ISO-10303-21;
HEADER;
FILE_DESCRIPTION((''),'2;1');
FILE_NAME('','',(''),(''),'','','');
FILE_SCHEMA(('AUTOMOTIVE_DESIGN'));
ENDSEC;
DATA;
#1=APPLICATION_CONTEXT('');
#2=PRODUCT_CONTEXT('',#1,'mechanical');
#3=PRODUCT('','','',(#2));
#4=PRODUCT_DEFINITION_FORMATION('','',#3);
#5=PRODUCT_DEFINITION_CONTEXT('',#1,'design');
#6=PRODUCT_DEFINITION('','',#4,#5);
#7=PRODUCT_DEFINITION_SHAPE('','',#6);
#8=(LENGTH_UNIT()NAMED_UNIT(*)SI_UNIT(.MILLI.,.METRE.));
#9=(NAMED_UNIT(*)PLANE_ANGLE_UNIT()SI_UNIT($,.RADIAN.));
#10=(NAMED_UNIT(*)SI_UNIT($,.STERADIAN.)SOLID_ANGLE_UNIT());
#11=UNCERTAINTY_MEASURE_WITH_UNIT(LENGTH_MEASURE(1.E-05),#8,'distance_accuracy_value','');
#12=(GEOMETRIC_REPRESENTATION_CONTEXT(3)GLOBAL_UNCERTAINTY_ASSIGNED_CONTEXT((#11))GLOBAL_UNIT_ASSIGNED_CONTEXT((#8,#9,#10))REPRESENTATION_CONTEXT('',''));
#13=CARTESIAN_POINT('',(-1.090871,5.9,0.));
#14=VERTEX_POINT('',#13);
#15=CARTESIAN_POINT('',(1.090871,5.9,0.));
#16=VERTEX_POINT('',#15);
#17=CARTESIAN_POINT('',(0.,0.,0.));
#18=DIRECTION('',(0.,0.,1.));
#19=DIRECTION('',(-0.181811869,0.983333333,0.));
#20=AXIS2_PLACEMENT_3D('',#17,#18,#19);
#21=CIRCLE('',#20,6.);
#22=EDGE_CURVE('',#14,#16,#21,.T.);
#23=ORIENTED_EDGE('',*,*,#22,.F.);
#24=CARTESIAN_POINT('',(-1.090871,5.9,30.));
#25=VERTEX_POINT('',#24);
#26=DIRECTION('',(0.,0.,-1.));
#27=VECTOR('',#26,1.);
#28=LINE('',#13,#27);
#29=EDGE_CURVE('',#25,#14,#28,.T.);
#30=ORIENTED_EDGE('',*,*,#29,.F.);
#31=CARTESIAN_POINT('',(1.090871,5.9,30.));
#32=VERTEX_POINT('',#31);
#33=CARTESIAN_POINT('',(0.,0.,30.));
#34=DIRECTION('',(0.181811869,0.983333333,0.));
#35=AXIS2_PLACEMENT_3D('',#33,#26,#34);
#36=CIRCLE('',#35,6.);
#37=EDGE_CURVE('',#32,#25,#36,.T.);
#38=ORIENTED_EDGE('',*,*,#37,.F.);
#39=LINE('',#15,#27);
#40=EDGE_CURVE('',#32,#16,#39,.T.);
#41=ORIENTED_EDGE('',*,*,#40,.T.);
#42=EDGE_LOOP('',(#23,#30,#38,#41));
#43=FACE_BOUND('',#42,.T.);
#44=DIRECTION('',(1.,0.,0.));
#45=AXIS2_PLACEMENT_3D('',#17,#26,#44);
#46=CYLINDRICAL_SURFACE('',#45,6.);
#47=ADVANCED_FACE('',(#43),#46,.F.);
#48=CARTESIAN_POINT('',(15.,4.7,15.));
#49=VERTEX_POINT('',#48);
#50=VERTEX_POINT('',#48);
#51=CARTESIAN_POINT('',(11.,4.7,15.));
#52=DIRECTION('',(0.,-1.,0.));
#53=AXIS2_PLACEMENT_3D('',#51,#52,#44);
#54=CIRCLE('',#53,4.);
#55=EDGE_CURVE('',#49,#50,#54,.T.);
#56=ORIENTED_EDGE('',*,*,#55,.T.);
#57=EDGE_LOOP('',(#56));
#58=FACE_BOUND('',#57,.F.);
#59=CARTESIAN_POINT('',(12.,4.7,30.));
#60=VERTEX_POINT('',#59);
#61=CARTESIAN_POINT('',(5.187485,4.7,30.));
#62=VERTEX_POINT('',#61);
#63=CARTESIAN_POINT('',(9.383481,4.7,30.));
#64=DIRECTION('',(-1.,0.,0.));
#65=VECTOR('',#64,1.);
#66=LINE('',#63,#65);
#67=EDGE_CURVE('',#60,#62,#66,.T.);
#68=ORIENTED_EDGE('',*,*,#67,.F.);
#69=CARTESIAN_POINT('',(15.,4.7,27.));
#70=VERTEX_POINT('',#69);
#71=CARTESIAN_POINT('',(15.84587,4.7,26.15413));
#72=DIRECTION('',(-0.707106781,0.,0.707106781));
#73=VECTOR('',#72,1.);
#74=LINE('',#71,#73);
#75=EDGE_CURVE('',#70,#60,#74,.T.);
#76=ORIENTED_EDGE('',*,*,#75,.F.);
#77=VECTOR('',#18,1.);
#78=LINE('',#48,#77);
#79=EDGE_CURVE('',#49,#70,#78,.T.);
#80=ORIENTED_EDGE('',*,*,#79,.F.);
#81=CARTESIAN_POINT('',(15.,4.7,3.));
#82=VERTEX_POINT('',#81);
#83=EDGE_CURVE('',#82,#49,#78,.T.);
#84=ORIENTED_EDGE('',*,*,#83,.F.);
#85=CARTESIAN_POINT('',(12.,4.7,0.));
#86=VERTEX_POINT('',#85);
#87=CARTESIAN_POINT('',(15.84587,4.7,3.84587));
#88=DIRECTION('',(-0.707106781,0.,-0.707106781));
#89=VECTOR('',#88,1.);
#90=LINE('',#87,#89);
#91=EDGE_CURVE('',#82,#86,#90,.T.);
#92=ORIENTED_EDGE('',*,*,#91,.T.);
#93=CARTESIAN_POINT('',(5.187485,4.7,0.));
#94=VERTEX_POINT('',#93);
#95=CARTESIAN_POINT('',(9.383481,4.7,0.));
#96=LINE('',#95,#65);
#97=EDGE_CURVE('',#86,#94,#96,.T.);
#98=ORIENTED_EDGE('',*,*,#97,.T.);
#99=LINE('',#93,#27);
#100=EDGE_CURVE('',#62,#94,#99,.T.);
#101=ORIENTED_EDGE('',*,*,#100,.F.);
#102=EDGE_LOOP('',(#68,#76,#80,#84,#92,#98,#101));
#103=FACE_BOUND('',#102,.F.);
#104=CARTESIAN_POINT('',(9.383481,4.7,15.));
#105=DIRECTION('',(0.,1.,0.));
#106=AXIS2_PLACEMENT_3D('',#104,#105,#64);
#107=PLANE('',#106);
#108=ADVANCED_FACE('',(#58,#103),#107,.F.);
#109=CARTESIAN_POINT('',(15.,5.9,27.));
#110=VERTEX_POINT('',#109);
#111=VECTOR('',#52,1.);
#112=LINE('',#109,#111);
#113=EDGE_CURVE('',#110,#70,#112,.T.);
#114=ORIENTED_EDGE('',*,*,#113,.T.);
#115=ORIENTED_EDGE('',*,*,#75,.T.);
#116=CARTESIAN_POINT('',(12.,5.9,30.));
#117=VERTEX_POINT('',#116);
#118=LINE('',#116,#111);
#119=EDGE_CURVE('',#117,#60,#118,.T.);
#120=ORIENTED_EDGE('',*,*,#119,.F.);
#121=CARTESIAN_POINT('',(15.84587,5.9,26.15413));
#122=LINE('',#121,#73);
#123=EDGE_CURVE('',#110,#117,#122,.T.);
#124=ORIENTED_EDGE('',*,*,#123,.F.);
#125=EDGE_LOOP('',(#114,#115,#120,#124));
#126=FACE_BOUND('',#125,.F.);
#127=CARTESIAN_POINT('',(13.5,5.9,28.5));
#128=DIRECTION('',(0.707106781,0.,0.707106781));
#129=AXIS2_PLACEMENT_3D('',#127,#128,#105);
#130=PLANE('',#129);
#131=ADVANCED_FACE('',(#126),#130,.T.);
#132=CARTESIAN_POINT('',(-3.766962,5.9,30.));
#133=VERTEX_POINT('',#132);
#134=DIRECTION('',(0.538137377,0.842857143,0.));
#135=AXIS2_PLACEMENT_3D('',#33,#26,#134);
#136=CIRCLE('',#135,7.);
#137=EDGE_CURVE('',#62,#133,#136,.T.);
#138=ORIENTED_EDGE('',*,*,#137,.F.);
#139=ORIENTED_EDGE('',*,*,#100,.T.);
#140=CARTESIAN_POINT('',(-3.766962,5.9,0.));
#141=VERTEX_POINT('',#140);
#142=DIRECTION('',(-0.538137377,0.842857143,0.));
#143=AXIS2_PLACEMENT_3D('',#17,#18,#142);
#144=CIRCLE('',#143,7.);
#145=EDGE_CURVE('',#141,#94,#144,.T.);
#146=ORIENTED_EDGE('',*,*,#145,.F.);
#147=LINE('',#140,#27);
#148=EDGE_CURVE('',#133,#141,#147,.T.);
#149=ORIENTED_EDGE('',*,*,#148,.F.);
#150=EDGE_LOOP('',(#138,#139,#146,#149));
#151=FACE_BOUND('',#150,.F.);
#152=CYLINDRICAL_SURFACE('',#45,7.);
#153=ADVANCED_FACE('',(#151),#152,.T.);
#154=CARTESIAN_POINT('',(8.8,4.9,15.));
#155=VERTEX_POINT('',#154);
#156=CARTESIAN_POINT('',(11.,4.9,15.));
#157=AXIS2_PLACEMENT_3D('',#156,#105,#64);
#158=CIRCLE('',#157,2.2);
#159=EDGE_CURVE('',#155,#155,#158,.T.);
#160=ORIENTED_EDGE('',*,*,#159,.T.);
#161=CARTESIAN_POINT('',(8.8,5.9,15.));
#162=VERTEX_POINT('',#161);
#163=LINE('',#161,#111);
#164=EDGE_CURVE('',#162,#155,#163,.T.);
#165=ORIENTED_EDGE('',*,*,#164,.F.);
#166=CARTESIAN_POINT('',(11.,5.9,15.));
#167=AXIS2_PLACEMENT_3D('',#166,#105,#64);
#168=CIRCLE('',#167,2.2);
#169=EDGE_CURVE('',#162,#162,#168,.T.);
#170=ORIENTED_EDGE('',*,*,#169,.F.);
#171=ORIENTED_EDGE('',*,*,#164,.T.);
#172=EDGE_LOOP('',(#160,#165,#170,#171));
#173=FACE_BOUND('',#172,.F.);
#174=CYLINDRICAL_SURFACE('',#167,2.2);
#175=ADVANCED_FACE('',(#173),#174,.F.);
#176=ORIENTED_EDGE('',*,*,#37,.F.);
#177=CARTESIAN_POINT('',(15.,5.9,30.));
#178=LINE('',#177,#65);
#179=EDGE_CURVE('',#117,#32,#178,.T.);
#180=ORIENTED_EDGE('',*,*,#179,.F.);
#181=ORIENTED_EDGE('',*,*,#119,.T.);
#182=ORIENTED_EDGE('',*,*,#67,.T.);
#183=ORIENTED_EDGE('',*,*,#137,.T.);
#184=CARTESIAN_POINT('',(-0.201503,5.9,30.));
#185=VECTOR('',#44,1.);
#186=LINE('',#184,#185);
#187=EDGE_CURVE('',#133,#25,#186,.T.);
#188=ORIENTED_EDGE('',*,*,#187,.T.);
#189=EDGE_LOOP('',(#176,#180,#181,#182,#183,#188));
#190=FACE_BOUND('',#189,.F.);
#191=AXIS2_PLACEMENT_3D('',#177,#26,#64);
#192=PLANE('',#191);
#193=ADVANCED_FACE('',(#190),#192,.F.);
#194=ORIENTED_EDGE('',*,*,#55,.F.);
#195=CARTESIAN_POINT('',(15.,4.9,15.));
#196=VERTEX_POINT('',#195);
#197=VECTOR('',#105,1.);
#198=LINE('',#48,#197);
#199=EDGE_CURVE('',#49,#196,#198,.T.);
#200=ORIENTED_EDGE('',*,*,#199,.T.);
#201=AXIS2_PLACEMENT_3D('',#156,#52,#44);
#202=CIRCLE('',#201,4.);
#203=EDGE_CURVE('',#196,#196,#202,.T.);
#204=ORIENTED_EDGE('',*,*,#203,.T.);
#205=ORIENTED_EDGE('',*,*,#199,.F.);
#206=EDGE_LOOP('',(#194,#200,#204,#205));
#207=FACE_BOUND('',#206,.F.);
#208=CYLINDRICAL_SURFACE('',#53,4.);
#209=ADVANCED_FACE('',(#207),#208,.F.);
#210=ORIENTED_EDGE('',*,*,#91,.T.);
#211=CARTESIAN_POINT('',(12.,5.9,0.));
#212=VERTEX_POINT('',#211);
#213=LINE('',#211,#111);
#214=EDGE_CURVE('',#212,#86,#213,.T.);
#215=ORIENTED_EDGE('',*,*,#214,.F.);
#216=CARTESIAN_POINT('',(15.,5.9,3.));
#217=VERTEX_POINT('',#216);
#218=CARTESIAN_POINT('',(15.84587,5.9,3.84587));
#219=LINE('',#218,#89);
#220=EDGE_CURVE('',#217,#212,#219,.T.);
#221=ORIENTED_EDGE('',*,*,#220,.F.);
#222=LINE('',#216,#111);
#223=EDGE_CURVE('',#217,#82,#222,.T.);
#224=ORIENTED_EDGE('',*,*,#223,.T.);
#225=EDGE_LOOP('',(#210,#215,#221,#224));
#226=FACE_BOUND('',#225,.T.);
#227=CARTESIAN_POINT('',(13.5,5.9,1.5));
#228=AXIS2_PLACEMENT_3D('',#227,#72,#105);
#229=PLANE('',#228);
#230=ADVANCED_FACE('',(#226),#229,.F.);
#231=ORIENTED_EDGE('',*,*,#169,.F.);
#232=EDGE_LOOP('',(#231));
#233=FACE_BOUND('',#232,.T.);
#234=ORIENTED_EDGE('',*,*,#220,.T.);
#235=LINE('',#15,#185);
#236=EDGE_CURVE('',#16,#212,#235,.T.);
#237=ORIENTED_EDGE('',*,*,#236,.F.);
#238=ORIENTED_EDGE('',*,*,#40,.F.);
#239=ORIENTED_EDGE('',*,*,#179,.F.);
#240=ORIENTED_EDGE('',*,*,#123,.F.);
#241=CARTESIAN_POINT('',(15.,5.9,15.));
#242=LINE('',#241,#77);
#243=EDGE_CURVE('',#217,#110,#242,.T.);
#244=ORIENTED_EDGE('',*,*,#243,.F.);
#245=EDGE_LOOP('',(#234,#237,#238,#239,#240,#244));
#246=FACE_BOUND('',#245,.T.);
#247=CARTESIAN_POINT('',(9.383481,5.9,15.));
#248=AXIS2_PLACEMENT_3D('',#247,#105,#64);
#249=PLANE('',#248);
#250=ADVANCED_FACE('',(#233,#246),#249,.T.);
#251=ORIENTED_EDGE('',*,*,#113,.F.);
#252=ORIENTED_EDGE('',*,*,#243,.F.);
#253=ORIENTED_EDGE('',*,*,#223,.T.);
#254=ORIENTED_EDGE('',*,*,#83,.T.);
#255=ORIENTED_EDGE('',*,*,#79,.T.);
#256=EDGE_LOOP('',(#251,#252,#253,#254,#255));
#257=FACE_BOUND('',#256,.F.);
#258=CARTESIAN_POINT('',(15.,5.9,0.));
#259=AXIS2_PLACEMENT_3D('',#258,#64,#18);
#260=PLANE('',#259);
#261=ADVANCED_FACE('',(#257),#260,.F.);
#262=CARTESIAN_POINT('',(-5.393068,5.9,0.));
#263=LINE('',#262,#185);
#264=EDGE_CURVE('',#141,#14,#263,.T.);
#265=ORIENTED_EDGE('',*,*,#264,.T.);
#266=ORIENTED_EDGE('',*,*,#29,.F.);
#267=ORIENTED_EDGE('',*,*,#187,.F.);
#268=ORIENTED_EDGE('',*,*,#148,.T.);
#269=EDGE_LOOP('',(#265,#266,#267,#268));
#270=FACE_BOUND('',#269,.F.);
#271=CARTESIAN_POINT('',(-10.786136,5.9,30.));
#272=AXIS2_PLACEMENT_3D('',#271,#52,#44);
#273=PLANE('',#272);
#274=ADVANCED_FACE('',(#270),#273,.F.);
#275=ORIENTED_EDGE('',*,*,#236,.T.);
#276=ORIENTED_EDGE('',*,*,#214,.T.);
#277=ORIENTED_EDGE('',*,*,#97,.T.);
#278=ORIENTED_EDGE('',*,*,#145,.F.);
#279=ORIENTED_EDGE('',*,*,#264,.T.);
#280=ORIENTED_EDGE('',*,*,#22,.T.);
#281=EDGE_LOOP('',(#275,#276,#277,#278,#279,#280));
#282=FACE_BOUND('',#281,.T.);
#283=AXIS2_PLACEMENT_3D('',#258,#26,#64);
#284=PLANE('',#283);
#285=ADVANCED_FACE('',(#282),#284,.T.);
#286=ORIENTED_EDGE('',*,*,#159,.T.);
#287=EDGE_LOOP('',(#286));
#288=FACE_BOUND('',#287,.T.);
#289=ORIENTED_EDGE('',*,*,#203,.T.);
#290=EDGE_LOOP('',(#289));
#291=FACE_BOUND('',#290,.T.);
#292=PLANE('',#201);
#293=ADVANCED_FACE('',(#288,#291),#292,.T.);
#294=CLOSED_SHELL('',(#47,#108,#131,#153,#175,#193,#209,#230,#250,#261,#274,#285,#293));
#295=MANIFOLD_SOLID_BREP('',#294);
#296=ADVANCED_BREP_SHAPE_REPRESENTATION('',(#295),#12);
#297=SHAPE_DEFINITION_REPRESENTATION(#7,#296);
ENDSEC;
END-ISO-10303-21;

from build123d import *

# Parameters (mm, degrees)
SKETCH_R        = 7
SKETCH_R_2      = 6
PAD_DEPTH       = 30
SKETCH001_W     = 21.169265
SKETCH001_H     = 5.002638
POCKET_DEPTH    = 30.001
SKETCH002_W     = 11.233038
SKETCH002_H     = 30
SKETCH002_R     = 2.2
PAD001_DEPTH    = 1.2
SKETCH003_R     = 4
POCKET001_DEPTH = 0.2
CHAMFER_SIZE    = 3


with BuildPart() as part:
    # Sketch → Pad (new body)
    with BuildSketch(Plane.XY):
        Circle(SKETCH_R)
        Circle(SKETCH_R_2, mode=Mode.SUBTRACT)
    extrude(amount=PAD_DEPTH)

    # Sketch001 → Pocket (cut, through all)
    with BuildSketch(Plane.XY.offset(30)):
        with Locations((-0.201503, 8.401319)):
            Rectangle(SKETCH001_W, SKETCH001_H)
    extrude(amount=-POCKET_DEPTH, mode=Mode.SUBTRACT)

    # Sketch002 → Pad001 (new body)
    with BuildSketch(Plane(origin=(0, 5.9, 0), x_dir=(-1, 0, 0), z_dir=(0, 1, 0))):
        with Locations((-9.383481, 15)):
            Rectangle(SKETCH002_W, SKETCH002_H)
        with Locations((-11, 15)):
            Circle(SKETCH002_R, mode=Mode.SUBTRACT)
    extrude(amount=-PAD001_DEPTH)

    # Sketch003 → Pocket001 (cut)
    with BuildSketch(Plane.XZ.offset(-4.7)):
        with Locations((11, 15)):
            Circle(SKETCH003_R)
    extrude(amount=-POCKET001_DEPTH, mode=Mode.SUBTRACT)

    # Chamfer
    chamfer_edges = [part.edges().sort_by_distance(p)[0] for p in [
        (15, 5.3, 0),
        (15, 5.3, 30),
    ]]
    chamfer(chamfer_edges, length=CHAMFER_SIZE)


solid = part.part
